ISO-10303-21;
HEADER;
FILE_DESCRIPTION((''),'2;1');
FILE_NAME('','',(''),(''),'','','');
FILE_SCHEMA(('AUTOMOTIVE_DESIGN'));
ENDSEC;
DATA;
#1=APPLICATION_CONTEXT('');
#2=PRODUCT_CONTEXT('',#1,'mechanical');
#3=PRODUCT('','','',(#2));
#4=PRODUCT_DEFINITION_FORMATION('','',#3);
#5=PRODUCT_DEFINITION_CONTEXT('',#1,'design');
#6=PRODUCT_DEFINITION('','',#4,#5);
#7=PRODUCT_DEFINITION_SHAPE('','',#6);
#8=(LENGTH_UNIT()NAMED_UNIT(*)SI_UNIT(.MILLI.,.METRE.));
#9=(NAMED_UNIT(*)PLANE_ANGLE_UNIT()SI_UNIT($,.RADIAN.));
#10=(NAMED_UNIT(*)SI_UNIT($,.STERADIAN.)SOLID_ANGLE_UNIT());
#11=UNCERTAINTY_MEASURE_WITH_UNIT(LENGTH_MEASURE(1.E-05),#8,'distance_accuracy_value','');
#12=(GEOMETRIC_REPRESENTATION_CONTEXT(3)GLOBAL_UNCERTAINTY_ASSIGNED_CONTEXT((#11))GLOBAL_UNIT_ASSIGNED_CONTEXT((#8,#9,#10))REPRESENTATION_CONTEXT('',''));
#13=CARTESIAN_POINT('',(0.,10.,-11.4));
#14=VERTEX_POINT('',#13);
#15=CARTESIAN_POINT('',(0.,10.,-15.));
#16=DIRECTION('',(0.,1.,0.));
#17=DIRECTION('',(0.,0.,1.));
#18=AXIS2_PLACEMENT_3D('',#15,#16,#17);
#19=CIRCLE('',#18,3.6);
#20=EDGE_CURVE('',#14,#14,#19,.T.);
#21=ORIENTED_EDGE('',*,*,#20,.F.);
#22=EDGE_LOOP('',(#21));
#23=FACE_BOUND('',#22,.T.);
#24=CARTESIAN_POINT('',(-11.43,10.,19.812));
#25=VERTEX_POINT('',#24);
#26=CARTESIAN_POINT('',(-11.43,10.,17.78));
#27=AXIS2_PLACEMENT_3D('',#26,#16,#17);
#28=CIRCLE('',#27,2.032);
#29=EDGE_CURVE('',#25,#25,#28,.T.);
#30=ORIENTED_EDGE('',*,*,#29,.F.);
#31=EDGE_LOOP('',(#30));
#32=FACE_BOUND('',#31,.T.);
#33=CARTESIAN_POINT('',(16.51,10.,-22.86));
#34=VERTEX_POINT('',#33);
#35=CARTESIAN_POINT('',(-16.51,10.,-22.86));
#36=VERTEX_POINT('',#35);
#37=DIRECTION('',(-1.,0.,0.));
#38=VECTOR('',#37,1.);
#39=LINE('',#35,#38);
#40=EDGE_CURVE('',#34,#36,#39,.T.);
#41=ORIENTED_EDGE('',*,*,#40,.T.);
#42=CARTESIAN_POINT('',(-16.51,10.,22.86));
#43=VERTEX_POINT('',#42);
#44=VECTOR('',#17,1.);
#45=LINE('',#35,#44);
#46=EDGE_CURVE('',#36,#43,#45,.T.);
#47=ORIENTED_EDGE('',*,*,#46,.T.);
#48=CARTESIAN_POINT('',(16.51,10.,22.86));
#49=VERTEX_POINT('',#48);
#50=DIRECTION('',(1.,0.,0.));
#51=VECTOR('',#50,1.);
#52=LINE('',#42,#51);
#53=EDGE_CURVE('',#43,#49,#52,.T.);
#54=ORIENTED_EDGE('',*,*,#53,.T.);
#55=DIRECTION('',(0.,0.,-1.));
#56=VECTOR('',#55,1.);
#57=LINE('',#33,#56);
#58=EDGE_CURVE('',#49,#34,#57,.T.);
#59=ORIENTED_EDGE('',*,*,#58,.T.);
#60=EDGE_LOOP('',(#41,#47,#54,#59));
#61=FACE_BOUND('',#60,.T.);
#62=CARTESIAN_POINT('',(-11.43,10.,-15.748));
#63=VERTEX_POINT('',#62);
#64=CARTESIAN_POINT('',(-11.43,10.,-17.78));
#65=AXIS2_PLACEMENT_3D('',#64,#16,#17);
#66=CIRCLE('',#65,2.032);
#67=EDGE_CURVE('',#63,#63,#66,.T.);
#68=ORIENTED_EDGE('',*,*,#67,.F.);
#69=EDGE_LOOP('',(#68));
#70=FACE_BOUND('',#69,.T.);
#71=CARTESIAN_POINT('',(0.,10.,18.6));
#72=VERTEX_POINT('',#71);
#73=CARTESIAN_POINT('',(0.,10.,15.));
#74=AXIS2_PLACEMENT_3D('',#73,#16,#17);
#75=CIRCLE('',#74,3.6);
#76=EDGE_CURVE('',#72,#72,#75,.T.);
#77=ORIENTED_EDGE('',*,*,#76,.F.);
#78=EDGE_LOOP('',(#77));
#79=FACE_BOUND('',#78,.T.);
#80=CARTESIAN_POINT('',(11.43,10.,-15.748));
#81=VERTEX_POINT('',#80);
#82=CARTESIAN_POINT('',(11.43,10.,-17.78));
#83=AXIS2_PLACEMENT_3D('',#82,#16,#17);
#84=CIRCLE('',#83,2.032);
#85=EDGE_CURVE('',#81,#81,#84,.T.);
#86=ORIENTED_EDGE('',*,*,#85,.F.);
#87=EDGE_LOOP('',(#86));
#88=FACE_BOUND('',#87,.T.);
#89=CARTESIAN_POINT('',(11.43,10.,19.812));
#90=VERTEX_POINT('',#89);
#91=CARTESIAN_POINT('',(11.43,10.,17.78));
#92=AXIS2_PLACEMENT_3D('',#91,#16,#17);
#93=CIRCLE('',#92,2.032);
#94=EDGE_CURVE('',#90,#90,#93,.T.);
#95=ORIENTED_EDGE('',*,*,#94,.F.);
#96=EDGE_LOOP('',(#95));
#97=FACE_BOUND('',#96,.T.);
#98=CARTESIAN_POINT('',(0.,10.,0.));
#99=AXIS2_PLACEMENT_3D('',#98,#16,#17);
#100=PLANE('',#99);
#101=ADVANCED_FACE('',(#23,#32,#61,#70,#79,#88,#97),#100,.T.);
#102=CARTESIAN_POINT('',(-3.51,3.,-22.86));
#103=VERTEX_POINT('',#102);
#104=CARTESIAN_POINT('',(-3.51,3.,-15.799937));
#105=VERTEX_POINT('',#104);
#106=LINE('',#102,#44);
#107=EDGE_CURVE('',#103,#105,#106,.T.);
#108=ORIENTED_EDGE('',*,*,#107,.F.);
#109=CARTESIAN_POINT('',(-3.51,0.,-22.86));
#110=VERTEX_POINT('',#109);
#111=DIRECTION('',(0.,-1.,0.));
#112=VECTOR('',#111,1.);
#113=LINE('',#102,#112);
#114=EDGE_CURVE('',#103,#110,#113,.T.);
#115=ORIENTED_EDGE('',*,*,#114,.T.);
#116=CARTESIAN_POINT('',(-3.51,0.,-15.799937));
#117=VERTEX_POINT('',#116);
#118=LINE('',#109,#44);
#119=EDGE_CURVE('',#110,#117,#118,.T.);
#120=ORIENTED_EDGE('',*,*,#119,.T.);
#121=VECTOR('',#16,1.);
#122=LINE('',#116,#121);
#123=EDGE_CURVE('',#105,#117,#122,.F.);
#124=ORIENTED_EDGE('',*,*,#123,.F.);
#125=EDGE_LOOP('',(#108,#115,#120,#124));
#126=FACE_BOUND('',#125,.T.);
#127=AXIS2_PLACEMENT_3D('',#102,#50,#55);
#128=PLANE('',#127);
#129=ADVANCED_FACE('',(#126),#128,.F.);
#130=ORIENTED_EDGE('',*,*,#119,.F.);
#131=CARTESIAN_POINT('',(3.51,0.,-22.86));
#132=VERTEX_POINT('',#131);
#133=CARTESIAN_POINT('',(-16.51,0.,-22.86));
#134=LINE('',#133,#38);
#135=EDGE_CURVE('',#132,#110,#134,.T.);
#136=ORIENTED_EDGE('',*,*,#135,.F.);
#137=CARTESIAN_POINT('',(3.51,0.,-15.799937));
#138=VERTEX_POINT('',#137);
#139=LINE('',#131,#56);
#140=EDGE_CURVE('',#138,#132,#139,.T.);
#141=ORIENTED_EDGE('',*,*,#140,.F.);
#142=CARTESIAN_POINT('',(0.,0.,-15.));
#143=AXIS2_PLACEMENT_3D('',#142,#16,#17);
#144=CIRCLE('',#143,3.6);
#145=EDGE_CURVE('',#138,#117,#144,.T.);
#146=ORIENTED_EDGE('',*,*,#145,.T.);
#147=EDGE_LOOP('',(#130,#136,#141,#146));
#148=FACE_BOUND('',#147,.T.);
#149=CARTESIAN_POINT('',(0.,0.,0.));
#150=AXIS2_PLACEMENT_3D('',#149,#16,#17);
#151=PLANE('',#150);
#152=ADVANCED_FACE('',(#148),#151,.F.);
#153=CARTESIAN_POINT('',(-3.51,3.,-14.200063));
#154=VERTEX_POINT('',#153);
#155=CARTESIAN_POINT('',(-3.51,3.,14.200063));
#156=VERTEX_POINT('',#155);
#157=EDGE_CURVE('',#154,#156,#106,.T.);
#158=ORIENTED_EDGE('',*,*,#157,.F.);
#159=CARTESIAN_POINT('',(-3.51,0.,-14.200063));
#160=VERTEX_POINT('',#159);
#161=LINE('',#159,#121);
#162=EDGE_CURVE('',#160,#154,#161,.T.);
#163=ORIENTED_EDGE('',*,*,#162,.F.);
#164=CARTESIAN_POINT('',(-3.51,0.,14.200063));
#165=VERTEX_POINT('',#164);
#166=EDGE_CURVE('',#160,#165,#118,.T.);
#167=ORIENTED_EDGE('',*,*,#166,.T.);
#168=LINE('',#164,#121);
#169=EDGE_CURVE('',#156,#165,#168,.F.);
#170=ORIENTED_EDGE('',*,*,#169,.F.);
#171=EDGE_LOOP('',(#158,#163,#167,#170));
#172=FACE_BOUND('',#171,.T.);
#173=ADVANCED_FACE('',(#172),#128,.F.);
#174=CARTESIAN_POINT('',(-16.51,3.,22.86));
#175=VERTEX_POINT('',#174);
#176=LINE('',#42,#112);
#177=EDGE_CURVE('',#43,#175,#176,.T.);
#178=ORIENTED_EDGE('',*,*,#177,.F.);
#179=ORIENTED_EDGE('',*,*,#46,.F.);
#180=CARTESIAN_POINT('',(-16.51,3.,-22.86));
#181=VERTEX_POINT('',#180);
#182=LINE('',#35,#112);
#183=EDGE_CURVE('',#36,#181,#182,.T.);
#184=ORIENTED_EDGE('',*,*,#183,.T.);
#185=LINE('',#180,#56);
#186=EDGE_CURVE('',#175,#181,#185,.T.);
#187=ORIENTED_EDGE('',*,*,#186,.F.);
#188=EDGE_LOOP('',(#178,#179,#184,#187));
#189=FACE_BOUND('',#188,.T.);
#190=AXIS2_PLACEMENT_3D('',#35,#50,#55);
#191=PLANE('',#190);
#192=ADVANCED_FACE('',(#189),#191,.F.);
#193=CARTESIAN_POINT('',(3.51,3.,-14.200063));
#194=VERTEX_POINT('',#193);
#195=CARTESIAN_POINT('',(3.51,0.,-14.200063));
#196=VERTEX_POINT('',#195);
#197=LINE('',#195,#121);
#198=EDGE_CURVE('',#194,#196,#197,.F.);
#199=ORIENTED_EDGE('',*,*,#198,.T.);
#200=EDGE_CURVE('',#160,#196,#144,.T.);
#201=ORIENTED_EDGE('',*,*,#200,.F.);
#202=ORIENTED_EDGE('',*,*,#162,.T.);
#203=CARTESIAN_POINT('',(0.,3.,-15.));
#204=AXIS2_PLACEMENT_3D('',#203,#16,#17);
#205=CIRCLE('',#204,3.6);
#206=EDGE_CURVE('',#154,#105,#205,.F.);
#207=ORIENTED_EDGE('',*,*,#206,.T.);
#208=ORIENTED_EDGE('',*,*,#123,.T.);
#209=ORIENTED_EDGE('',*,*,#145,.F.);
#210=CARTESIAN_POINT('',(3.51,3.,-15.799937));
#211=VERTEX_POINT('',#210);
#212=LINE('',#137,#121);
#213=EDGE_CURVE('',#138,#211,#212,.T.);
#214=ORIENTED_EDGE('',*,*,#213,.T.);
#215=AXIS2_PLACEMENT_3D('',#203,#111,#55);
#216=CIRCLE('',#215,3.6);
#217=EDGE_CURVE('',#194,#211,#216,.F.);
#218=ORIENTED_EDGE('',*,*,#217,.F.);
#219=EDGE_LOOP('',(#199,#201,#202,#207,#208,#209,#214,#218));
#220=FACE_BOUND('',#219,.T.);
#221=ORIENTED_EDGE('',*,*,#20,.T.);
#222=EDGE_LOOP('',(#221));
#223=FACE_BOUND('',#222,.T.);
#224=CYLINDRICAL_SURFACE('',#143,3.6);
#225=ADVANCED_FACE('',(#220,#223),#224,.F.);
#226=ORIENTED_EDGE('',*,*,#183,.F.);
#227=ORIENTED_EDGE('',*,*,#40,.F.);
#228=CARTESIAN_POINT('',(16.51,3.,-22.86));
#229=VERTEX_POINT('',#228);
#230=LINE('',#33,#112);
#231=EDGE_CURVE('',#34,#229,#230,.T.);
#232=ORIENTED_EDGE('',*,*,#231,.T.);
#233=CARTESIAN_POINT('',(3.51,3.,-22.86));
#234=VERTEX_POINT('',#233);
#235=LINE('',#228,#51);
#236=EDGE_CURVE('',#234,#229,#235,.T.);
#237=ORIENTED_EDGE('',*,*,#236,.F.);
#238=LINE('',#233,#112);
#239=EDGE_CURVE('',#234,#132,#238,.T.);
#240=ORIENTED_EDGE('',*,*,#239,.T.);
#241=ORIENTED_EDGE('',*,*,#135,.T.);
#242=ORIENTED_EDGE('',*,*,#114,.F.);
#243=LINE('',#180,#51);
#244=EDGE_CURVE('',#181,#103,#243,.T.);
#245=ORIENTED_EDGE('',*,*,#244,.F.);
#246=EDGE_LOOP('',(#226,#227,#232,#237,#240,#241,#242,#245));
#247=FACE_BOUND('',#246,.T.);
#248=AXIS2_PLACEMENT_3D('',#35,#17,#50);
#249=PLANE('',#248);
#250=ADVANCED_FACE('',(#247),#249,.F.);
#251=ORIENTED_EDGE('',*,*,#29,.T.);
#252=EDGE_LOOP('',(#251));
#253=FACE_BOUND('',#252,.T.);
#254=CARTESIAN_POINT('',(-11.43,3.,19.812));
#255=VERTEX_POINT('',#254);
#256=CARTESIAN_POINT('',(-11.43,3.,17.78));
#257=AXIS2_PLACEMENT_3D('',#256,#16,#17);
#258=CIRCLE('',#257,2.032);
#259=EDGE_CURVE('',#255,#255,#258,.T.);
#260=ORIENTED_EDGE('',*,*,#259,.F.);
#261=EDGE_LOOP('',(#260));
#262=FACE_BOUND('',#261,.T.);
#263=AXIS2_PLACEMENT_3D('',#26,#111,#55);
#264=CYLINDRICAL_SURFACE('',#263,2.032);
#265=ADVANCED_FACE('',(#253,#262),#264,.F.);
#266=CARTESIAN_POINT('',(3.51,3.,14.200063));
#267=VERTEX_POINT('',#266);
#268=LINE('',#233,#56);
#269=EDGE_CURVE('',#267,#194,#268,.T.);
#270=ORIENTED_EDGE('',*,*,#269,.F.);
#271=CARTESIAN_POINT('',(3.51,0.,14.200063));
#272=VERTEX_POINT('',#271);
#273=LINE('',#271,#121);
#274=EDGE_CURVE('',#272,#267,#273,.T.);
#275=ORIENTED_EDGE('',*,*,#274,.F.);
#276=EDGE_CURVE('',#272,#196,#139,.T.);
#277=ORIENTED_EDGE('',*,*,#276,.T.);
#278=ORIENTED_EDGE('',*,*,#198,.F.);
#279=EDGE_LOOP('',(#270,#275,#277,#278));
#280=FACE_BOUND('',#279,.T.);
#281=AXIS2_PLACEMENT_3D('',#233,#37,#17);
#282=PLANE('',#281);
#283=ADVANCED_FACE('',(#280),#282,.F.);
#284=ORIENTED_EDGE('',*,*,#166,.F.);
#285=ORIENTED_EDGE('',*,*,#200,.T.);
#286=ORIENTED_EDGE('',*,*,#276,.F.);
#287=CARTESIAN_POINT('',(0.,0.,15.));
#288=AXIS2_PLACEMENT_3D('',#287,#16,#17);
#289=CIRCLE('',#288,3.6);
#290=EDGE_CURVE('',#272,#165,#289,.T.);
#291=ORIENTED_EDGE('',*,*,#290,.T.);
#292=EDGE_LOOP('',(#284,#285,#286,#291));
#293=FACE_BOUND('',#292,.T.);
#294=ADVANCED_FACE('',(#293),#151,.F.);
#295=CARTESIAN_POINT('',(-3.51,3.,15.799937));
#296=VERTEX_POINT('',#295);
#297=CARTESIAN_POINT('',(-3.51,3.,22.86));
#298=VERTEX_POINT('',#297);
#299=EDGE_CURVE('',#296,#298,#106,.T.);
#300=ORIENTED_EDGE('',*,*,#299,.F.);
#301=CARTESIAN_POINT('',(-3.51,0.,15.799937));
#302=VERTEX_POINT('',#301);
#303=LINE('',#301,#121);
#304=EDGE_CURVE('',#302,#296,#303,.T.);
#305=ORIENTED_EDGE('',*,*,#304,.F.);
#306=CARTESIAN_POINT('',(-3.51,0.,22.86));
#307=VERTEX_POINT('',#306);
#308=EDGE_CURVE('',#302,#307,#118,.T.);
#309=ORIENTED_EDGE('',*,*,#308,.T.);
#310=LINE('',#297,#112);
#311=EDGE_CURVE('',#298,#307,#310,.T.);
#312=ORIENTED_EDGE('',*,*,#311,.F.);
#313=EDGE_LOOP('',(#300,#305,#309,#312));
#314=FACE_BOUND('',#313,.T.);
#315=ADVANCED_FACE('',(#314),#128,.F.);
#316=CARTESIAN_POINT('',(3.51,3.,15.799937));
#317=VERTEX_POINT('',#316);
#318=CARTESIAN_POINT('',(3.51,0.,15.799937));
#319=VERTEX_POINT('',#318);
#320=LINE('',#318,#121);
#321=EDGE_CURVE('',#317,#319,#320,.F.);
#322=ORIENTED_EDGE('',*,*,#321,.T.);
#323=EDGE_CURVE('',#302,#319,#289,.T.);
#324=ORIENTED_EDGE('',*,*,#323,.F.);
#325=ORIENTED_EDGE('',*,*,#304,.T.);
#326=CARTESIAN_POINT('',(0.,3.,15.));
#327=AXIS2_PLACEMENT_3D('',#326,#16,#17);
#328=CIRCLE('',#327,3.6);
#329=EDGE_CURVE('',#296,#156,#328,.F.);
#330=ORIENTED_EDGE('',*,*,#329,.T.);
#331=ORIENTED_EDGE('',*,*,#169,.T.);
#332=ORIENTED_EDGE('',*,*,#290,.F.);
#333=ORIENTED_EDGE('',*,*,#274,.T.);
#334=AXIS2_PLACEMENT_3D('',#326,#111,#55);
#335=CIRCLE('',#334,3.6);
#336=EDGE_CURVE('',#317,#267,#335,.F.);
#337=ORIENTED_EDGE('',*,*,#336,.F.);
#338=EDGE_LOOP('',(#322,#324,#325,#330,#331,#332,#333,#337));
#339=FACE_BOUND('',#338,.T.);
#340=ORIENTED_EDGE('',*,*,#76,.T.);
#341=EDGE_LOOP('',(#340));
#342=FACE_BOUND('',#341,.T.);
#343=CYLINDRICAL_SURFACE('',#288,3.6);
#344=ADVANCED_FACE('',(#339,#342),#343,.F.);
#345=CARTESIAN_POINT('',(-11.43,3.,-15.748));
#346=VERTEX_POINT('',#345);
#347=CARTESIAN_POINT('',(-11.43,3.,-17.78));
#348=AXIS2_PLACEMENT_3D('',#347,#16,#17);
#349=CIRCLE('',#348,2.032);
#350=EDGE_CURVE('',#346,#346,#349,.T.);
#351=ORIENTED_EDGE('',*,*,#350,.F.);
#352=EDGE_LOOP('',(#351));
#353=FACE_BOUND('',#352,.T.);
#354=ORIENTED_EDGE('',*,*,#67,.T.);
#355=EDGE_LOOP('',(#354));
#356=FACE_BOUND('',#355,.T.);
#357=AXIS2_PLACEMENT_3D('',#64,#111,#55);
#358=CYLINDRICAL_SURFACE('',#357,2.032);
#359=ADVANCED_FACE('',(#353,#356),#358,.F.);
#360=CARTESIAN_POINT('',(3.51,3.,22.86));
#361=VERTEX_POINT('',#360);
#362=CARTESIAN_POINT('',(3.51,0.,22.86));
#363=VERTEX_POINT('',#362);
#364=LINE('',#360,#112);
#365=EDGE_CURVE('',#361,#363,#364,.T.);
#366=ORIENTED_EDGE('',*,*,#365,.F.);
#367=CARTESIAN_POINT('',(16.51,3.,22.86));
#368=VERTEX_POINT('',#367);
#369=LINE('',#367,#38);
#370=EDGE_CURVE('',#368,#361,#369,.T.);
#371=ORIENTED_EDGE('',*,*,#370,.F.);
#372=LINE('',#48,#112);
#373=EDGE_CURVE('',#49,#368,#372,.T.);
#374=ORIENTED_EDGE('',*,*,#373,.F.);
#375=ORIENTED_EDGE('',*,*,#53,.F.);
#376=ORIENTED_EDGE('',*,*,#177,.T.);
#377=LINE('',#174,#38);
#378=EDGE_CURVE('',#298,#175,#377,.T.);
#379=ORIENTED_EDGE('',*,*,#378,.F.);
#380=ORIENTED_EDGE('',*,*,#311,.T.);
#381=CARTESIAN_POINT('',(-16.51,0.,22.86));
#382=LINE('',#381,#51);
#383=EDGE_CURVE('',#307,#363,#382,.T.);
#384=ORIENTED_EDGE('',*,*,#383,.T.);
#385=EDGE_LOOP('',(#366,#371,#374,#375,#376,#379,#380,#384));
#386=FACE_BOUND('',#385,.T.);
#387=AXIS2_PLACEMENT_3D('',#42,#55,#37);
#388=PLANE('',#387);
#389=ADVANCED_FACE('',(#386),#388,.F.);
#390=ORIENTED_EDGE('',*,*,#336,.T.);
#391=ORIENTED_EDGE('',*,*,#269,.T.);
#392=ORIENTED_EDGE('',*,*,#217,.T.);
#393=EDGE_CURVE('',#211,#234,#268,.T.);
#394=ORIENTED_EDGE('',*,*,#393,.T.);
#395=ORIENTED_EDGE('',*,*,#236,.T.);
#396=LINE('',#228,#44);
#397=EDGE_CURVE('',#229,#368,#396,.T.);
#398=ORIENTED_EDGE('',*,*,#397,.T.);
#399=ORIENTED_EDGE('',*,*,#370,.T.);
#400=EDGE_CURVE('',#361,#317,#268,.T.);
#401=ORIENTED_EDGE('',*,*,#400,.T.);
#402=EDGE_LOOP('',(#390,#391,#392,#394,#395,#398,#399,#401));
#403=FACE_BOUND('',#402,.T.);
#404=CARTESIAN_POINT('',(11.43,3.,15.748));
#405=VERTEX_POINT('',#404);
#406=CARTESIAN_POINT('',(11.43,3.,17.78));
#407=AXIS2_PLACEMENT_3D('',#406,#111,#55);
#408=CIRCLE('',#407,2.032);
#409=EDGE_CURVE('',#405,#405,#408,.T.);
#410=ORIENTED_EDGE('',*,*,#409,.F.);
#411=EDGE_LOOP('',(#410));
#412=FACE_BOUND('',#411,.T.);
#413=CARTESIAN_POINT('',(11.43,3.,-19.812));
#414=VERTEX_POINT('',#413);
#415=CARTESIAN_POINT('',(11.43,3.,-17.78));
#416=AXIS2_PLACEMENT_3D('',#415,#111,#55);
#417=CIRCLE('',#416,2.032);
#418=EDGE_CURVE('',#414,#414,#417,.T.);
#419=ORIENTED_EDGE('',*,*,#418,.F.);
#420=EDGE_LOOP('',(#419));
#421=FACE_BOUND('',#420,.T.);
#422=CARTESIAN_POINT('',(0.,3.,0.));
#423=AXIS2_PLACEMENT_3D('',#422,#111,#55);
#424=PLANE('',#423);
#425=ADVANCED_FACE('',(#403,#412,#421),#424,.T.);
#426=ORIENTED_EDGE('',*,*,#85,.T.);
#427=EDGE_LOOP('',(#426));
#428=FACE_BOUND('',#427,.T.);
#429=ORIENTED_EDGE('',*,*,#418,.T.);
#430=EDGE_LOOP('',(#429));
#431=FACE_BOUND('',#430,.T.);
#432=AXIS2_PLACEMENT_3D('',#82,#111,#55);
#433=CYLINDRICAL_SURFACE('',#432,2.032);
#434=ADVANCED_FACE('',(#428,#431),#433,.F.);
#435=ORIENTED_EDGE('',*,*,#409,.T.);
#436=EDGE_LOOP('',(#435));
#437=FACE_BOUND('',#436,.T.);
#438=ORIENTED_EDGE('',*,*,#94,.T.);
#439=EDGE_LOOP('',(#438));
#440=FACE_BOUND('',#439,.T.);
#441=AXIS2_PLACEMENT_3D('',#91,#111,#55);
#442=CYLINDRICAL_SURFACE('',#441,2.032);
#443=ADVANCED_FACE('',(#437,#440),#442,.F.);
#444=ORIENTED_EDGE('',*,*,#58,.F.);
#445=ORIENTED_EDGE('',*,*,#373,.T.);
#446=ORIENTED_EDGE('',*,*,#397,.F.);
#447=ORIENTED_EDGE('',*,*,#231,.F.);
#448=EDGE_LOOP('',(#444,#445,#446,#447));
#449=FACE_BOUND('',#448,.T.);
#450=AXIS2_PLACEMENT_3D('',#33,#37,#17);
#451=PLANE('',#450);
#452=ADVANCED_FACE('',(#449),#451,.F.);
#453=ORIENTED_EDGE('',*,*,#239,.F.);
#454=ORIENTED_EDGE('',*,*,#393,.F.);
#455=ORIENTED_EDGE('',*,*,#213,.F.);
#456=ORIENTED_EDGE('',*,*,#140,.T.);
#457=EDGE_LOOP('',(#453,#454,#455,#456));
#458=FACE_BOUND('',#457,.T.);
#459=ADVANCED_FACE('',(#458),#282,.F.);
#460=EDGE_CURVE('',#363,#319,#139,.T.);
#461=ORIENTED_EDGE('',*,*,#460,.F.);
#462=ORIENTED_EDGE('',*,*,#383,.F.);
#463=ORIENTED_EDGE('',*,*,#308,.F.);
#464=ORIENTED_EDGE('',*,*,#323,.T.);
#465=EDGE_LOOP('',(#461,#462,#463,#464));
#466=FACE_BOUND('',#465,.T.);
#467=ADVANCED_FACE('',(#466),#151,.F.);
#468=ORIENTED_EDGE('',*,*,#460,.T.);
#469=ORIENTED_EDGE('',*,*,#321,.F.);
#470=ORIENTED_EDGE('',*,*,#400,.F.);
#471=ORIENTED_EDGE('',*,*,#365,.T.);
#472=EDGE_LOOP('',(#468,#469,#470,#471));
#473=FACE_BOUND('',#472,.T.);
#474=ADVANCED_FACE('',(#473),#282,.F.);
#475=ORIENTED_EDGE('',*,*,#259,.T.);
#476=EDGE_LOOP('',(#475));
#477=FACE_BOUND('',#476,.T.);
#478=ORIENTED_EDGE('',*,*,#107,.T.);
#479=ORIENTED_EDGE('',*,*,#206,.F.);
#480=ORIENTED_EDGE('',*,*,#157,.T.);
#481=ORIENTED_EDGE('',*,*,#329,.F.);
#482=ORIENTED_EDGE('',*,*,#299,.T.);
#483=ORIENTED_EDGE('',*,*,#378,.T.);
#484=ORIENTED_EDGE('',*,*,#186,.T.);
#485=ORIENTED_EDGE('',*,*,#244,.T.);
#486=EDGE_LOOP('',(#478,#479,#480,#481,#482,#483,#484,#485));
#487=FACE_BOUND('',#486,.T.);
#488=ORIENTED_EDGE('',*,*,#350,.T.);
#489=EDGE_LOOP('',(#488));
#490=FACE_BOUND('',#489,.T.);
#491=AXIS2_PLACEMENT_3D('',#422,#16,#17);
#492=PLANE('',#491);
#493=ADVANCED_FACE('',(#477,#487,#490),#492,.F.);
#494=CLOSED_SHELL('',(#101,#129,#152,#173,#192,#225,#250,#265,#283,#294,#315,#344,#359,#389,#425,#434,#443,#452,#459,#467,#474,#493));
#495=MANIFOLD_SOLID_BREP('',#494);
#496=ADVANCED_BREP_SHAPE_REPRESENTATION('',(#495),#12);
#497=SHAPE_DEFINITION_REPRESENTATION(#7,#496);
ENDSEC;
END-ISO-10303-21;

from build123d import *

# Parameters (mm, degrees)
SKETCH1_W           = 33.02
SKETCH1_H           = 45.72
SKETCH1_R           = 2.032
BOSS_EXTRUDE1_DEPTH = 10
SKETCH2_R           = 3.6
CUT_EXTRUDE1_DEPTH  = 10
SKETCH4_W           = 13
SKETCH4_H           = 45.72
CUT_EXTRUDE4_DEPTH  = 3


with BuildPart() as part:
    # Sketch1 → Boss-Extrude1 (new body)
    with BuildSketch(Plane(origin=(0, 0, 0), x_dir=(1, 0, 0), z_dir=(0, 1, 0))):
        Rectangle(SKETCH1_W, SKETCH1_H)
        with Locations((-11.43, 17.78)):
            Circle(SKETCH1_R, mode=Mode.SUBTRACT)
        with Locations((11.43, 17.78)):
            Circle(SKETCH1_R, mode=Mode.SUBTRACT)
        with Locations((-11.43, -17.78)):
            Circle(SKETCH1_R, mode=Mode.SUBTRACT)
        with Locations((11.43, -17.78)):
            Circle(SKETCH1_R, mode=Mode.SUBTRACT)
    extrude(amount=BOSS_EXTRUDE1_DEPTH)

    # Sketch2 → Cut-Extrude1 (cut)
    with BuildSketch(Plane(origin=(0, 10, 0), x_dir=(1, 0, 0), z_dir=(0, 1, 0))):
        with Locations((0, 15)):
            Circle(SKETCH2_R)
        with Locations((0, -15)):
            Circle(SKETCH2_R)
    extrude(amount=-CUT_EXTRUDE1_DEPTH, mode=Mode.SUBTRACT)

    # Sketch4 → Cut-Extrude4 (cut)
    with BuildSketch(Plane.XZ):
        with Locations((10.01, 0)):
            Rectangle(SKETCH4_W, SKETCH4_H)
        with Locations((-10.01, 0)):
            Rectangle(SKETCH4_W, SKETCH4_H)
    extrude(amount=-CUT_EXTRUDE4_DEPTH, mode=Mode.SUBTRACT)


solid = part.part
